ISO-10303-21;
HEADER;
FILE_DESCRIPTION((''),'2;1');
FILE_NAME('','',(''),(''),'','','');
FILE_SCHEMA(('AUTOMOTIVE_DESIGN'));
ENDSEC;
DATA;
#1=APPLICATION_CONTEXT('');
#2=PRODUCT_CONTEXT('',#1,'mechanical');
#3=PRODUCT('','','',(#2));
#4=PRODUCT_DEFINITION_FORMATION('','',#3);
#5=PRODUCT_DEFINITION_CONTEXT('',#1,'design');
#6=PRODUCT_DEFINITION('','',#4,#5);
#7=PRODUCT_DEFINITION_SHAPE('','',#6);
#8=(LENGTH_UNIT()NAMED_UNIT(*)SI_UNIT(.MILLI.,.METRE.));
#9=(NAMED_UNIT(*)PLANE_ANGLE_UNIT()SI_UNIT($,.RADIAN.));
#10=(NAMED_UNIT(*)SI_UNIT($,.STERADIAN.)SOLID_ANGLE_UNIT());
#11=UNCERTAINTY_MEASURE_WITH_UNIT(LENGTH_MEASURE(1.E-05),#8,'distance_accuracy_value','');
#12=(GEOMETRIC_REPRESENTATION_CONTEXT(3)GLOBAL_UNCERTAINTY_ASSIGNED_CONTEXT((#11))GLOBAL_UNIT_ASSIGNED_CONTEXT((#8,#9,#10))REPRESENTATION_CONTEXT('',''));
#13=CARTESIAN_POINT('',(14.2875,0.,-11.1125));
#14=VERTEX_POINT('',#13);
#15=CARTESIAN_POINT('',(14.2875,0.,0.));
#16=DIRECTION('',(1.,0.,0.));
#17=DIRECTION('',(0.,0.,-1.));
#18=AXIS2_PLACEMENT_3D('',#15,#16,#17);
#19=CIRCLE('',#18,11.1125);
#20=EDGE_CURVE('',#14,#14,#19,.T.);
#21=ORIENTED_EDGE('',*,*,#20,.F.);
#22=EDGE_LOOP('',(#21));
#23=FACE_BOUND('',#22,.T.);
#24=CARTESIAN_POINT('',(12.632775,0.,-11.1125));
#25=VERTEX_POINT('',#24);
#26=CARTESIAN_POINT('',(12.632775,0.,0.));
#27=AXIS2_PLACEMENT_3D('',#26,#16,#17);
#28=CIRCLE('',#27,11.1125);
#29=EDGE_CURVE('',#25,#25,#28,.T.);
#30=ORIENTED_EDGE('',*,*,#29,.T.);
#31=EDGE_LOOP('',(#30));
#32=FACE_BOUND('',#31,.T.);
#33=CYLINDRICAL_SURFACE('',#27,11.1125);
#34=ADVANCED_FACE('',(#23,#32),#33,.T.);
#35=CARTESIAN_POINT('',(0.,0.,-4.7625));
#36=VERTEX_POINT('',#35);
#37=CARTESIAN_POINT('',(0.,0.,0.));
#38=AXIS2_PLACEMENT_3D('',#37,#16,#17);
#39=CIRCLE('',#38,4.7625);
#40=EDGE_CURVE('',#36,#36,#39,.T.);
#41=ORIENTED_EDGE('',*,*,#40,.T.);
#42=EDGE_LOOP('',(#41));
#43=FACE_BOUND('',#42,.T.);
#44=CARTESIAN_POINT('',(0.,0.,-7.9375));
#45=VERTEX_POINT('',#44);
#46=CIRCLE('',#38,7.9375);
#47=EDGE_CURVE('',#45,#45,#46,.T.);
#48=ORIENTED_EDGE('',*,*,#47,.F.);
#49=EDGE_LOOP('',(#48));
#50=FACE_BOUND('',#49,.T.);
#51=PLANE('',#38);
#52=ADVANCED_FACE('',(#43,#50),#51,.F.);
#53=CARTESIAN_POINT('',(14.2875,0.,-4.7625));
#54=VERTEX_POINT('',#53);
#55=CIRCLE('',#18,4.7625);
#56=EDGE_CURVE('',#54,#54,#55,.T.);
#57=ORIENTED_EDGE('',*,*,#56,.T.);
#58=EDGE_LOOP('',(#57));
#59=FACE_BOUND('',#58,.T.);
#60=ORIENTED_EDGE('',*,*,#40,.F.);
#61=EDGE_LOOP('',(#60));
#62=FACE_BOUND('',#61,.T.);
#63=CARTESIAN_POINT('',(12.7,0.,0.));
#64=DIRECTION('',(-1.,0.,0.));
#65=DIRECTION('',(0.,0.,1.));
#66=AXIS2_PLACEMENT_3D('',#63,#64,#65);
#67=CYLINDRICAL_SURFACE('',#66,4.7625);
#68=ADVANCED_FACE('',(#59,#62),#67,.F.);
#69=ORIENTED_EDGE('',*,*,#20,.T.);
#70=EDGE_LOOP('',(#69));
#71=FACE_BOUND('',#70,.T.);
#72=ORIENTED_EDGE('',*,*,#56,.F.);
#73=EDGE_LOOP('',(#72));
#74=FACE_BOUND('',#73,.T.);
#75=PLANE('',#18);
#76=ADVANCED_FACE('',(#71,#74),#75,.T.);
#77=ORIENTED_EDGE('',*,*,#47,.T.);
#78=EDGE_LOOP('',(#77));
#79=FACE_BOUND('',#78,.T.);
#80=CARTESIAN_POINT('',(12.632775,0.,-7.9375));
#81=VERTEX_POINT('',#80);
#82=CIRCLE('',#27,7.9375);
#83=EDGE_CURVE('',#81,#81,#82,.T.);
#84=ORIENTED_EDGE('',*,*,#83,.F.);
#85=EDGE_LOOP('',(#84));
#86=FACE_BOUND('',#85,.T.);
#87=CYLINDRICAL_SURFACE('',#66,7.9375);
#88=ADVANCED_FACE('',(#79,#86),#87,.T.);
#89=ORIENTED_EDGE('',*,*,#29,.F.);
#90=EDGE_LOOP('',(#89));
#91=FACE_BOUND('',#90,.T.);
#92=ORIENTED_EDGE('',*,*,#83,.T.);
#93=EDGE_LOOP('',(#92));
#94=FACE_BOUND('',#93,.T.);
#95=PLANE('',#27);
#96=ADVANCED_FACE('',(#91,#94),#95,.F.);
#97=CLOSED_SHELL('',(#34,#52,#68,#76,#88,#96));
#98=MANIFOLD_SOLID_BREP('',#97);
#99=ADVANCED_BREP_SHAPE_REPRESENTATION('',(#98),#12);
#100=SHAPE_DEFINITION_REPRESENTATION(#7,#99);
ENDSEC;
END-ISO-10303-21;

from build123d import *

# Parameters (mm, degrees)
SKETCH1_R                = 7.9375
SKETCH1_R_2              = 4.7625
BOSS_EXTRUDE1_DEPTH      = 12.7
SKETCH2_R                = 11.1125
SKETCH2_R_2              = 4.7625
BOSS_EXTRUDE2_DEPTH      = 1.5875
BOSS_EXTRUDE2_DEPTH_BACK = 0.067225321


with BuildPart() as part:
    # Sketch1 → Boss-Extrude1 (new body)
    with BuildSketch(Plane(origin=(0, 0, 0), x_dir=(0, 0, -1), z_dir=(1, 0, 0))):
        Circle(SKETCH1_R)
        Circle(SKETCH1_R_2, mode=Mode.SUBTRACT)
    extrude(amount=BOSS_EXTRUDE1_DEPTH)

    # Sketch2 → Boss-Extrude2 (add, two sides)
    with BuildSketch(Plane(origin=(12.7, 0, 0), x_dir=(0, 0, -1), z_dir=(1, 0, 0))) as boss_extrude2_sk:
        Circle(SKETCH2_R)
        Circle(SKETCH2_R_2, mode=Mode.SUBTRACT)
    extrude(amount=BOSS_EXTRUDE2_DEPTH)
    extrude(boss_extrude2_sk.sketch, amount=-BOSS_EXTRUDE2_DEPTH_BACK)


solid = part.part
